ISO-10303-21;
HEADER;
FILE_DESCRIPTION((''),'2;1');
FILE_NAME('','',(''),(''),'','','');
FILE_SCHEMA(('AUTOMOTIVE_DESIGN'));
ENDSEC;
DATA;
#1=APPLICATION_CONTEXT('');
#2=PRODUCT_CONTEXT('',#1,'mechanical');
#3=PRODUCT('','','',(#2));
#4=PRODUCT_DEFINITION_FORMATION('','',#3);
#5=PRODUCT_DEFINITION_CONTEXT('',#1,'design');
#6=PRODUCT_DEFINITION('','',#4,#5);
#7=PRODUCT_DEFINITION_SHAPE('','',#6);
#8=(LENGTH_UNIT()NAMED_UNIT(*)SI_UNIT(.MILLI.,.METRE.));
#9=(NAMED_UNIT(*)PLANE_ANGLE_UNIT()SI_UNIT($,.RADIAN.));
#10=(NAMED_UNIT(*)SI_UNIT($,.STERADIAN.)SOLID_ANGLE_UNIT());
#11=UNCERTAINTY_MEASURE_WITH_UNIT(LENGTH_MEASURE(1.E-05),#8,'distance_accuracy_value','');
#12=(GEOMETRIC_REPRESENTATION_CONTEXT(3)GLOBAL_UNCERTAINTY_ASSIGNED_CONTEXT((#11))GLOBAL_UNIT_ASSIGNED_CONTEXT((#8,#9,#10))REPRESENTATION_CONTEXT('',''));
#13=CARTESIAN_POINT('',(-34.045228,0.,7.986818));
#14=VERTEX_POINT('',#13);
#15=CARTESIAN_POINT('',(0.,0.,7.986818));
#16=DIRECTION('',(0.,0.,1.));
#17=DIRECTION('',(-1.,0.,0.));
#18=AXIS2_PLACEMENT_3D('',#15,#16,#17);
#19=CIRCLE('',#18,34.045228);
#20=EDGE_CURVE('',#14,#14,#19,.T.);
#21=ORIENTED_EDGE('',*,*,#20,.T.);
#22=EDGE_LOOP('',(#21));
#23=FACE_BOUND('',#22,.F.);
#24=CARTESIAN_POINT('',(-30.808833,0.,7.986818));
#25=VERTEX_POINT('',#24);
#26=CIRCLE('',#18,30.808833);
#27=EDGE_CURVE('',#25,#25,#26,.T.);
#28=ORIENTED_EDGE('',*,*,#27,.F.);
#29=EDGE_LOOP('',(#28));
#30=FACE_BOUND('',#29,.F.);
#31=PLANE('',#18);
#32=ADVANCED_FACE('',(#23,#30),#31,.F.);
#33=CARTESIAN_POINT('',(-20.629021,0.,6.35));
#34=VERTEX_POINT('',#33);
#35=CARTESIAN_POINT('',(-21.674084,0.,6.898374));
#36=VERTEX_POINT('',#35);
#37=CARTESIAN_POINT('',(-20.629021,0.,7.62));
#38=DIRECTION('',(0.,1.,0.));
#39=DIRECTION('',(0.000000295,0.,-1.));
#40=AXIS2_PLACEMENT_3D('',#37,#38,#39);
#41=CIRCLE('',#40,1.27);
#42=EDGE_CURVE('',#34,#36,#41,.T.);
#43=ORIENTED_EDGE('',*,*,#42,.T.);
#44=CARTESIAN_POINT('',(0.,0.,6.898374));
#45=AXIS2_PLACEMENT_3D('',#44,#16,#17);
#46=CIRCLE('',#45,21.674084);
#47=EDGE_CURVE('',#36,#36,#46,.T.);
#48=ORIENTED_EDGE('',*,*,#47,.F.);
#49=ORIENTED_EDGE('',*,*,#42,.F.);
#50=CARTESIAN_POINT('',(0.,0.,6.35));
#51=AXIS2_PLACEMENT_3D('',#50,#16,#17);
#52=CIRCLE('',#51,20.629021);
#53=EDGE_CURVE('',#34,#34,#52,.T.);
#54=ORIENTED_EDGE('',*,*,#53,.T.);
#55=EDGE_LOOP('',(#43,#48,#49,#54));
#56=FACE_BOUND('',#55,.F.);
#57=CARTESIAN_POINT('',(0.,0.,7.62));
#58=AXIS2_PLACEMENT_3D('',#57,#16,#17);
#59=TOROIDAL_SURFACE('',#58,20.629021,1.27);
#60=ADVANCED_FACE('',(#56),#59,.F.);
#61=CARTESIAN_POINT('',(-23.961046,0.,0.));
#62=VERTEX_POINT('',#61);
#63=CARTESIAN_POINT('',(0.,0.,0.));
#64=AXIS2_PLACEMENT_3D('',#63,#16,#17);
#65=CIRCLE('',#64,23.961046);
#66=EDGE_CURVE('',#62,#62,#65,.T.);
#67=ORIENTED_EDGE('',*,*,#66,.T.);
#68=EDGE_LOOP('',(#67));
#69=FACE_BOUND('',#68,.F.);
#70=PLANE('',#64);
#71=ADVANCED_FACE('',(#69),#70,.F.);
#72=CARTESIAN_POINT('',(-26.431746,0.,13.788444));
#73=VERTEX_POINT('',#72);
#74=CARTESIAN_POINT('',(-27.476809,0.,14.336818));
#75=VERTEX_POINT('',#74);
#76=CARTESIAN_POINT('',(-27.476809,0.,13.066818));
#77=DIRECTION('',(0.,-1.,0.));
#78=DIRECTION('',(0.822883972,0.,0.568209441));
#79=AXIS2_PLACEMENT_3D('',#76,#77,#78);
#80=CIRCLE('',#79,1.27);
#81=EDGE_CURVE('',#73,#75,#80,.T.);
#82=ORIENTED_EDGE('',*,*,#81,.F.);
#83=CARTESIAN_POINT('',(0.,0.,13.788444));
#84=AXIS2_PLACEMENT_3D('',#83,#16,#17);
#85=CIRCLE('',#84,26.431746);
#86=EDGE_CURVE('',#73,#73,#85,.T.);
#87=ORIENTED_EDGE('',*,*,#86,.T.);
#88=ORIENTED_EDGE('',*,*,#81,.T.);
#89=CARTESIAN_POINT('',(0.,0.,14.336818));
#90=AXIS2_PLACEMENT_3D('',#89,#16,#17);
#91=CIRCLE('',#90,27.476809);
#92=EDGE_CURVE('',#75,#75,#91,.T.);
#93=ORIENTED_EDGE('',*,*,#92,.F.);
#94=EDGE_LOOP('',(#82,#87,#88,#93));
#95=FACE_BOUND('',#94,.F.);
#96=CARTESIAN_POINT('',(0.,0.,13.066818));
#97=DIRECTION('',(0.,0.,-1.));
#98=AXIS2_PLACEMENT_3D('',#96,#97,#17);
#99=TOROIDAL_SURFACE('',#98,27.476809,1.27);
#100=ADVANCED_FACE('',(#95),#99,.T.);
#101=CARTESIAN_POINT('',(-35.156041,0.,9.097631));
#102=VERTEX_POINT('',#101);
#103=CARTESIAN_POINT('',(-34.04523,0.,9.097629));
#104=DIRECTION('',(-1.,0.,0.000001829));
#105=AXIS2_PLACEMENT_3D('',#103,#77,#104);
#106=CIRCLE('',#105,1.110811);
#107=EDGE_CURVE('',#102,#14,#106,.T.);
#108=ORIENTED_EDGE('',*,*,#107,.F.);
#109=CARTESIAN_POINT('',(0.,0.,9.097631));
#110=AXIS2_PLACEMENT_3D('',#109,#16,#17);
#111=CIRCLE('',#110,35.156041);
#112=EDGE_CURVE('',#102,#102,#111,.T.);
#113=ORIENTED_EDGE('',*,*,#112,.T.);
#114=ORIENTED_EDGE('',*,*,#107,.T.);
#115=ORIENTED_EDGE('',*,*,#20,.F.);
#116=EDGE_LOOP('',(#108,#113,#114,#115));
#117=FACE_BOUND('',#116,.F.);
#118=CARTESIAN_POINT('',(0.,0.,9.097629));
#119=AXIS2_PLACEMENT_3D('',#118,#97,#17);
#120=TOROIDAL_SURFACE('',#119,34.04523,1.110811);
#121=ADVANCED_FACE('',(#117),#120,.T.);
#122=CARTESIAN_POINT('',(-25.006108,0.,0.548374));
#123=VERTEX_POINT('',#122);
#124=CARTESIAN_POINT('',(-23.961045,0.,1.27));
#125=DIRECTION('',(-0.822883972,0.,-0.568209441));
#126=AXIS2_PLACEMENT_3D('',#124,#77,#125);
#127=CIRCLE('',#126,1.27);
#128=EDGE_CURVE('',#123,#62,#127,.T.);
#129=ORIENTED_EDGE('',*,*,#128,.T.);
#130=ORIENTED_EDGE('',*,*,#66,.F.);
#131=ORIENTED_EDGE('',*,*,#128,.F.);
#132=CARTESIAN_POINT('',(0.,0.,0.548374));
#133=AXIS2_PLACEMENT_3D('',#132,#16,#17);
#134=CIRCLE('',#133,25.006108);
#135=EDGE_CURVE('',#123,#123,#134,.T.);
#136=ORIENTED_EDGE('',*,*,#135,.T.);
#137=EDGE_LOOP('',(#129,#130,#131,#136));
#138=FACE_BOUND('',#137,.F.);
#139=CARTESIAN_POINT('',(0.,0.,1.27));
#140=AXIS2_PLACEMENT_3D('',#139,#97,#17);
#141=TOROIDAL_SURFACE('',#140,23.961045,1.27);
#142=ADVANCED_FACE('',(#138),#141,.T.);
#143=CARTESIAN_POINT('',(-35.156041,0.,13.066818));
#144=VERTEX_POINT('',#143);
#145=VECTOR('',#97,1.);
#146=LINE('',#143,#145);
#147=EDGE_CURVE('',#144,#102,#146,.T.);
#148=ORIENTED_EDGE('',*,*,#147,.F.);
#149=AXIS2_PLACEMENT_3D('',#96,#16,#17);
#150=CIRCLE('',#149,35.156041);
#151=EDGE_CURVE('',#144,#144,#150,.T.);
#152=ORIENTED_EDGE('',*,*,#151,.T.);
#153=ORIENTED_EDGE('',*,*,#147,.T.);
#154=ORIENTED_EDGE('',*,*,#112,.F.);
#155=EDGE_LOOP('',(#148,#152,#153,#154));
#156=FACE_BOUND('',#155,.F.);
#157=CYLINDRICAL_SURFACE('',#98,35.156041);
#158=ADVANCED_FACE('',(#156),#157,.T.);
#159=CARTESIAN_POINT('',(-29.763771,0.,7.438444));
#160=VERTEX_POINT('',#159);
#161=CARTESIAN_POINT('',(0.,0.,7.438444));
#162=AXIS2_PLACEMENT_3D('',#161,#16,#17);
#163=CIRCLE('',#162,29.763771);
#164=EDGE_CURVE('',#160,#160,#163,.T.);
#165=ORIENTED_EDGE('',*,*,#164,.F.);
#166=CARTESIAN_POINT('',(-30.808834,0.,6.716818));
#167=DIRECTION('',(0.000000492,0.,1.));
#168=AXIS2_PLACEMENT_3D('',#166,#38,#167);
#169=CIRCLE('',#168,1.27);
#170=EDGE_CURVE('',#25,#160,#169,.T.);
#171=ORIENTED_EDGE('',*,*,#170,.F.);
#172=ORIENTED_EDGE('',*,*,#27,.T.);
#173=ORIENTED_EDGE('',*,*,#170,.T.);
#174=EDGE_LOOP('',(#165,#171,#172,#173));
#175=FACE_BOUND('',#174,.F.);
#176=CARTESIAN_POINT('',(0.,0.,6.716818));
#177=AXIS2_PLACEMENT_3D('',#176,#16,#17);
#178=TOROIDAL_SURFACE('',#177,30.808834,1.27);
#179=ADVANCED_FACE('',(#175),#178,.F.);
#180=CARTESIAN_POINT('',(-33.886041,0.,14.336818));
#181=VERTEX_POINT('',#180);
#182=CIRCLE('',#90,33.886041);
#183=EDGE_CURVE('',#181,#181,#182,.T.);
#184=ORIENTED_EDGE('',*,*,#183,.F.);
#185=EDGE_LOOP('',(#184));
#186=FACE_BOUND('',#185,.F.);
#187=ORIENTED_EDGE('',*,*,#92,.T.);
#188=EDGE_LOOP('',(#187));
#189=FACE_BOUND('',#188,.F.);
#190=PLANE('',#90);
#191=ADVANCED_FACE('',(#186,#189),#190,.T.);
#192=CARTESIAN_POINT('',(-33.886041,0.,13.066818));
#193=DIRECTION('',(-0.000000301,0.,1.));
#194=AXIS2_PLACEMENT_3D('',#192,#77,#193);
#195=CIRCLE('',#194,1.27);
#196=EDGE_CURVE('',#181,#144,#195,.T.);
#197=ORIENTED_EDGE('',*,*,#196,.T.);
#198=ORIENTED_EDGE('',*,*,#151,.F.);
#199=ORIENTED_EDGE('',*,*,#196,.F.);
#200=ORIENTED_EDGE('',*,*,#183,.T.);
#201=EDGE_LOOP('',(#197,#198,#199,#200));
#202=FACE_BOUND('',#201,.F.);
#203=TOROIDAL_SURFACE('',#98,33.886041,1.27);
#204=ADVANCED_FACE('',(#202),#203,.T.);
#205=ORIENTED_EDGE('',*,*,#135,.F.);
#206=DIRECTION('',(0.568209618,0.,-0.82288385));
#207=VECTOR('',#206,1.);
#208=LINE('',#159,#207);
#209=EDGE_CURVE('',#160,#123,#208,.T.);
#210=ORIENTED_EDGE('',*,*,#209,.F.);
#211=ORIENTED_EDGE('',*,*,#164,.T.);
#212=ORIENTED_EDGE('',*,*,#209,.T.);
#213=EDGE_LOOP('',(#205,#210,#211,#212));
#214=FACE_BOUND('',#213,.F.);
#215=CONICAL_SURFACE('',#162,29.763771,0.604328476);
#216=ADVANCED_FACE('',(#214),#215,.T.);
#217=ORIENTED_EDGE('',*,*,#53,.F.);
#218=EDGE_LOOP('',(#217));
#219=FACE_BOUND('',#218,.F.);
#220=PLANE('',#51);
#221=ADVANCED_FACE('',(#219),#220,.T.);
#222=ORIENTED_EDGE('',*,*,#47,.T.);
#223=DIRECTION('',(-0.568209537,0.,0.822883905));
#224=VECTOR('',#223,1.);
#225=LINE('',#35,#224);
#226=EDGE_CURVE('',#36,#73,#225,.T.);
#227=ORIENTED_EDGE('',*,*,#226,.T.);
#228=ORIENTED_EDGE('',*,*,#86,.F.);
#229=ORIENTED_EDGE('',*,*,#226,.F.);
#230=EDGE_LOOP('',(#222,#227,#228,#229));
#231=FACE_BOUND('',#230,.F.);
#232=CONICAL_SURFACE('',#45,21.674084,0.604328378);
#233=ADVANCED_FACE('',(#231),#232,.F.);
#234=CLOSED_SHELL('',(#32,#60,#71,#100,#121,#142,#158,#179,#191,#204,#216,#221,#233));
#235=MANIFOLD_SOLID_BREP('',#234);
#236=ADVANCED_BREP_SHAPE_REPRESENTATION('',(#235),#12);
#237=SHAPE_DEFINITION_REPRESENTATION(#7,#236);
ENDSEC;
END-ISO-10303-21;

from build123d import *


with BuildPart() as f1:
    # F0 (on Front) → F1 (revolve)
    with BuildSketch(Plane.XZ):
        with BuildLine():
            Line((-23.961046, 0), (0, 0))
            Line((0, 0), (0, 6.35))
            Line((0, 6.35), (-20.629021, 6.35))
            ThreePointArc((-20.629021, 6.35), (-21.219121, 6.495419), (-21.674084, 6.898374))
            Line((-21.674084, 6.898374), (-26.431746, 13.788444))
            ThreePointArc((-26.431746, 13.788444), (-26.886709, 14.191399), (-27.476809, 14.336818))
            Line((-27.476809, 14.336818), (-33.886041, 14.336818))
            ThreePointArc((-33.886041, 14.336818), (-34.784067, 13.964843), (-35.156041, 13.066818))
            Line((-35.156041, 13.066818), (-35.156041, 9.097631))
            ThreePointArc((-35.156041, 9.097631), (-34.830692, 8.312167), (-34.045228, 7.986818))
            Line((-34.045228, 7.986818), (-30.808833, 7.986818))
            ThreePointArc((-30.808833, 7.986818), (-30.218734, 7.841399), (-29.763771, 7.438444))
            Line((-29.763771, 7.438444), (-25.006108, 0.548374))
            ThreePointArc((-25.006108, 0.548374), (-24.551145, 0.145419), (-23.961046, 0))
        make_face()
    revolve(axis=Axis((0, 0, 3.175), (0, 0, 1)))


solid = f1.part
